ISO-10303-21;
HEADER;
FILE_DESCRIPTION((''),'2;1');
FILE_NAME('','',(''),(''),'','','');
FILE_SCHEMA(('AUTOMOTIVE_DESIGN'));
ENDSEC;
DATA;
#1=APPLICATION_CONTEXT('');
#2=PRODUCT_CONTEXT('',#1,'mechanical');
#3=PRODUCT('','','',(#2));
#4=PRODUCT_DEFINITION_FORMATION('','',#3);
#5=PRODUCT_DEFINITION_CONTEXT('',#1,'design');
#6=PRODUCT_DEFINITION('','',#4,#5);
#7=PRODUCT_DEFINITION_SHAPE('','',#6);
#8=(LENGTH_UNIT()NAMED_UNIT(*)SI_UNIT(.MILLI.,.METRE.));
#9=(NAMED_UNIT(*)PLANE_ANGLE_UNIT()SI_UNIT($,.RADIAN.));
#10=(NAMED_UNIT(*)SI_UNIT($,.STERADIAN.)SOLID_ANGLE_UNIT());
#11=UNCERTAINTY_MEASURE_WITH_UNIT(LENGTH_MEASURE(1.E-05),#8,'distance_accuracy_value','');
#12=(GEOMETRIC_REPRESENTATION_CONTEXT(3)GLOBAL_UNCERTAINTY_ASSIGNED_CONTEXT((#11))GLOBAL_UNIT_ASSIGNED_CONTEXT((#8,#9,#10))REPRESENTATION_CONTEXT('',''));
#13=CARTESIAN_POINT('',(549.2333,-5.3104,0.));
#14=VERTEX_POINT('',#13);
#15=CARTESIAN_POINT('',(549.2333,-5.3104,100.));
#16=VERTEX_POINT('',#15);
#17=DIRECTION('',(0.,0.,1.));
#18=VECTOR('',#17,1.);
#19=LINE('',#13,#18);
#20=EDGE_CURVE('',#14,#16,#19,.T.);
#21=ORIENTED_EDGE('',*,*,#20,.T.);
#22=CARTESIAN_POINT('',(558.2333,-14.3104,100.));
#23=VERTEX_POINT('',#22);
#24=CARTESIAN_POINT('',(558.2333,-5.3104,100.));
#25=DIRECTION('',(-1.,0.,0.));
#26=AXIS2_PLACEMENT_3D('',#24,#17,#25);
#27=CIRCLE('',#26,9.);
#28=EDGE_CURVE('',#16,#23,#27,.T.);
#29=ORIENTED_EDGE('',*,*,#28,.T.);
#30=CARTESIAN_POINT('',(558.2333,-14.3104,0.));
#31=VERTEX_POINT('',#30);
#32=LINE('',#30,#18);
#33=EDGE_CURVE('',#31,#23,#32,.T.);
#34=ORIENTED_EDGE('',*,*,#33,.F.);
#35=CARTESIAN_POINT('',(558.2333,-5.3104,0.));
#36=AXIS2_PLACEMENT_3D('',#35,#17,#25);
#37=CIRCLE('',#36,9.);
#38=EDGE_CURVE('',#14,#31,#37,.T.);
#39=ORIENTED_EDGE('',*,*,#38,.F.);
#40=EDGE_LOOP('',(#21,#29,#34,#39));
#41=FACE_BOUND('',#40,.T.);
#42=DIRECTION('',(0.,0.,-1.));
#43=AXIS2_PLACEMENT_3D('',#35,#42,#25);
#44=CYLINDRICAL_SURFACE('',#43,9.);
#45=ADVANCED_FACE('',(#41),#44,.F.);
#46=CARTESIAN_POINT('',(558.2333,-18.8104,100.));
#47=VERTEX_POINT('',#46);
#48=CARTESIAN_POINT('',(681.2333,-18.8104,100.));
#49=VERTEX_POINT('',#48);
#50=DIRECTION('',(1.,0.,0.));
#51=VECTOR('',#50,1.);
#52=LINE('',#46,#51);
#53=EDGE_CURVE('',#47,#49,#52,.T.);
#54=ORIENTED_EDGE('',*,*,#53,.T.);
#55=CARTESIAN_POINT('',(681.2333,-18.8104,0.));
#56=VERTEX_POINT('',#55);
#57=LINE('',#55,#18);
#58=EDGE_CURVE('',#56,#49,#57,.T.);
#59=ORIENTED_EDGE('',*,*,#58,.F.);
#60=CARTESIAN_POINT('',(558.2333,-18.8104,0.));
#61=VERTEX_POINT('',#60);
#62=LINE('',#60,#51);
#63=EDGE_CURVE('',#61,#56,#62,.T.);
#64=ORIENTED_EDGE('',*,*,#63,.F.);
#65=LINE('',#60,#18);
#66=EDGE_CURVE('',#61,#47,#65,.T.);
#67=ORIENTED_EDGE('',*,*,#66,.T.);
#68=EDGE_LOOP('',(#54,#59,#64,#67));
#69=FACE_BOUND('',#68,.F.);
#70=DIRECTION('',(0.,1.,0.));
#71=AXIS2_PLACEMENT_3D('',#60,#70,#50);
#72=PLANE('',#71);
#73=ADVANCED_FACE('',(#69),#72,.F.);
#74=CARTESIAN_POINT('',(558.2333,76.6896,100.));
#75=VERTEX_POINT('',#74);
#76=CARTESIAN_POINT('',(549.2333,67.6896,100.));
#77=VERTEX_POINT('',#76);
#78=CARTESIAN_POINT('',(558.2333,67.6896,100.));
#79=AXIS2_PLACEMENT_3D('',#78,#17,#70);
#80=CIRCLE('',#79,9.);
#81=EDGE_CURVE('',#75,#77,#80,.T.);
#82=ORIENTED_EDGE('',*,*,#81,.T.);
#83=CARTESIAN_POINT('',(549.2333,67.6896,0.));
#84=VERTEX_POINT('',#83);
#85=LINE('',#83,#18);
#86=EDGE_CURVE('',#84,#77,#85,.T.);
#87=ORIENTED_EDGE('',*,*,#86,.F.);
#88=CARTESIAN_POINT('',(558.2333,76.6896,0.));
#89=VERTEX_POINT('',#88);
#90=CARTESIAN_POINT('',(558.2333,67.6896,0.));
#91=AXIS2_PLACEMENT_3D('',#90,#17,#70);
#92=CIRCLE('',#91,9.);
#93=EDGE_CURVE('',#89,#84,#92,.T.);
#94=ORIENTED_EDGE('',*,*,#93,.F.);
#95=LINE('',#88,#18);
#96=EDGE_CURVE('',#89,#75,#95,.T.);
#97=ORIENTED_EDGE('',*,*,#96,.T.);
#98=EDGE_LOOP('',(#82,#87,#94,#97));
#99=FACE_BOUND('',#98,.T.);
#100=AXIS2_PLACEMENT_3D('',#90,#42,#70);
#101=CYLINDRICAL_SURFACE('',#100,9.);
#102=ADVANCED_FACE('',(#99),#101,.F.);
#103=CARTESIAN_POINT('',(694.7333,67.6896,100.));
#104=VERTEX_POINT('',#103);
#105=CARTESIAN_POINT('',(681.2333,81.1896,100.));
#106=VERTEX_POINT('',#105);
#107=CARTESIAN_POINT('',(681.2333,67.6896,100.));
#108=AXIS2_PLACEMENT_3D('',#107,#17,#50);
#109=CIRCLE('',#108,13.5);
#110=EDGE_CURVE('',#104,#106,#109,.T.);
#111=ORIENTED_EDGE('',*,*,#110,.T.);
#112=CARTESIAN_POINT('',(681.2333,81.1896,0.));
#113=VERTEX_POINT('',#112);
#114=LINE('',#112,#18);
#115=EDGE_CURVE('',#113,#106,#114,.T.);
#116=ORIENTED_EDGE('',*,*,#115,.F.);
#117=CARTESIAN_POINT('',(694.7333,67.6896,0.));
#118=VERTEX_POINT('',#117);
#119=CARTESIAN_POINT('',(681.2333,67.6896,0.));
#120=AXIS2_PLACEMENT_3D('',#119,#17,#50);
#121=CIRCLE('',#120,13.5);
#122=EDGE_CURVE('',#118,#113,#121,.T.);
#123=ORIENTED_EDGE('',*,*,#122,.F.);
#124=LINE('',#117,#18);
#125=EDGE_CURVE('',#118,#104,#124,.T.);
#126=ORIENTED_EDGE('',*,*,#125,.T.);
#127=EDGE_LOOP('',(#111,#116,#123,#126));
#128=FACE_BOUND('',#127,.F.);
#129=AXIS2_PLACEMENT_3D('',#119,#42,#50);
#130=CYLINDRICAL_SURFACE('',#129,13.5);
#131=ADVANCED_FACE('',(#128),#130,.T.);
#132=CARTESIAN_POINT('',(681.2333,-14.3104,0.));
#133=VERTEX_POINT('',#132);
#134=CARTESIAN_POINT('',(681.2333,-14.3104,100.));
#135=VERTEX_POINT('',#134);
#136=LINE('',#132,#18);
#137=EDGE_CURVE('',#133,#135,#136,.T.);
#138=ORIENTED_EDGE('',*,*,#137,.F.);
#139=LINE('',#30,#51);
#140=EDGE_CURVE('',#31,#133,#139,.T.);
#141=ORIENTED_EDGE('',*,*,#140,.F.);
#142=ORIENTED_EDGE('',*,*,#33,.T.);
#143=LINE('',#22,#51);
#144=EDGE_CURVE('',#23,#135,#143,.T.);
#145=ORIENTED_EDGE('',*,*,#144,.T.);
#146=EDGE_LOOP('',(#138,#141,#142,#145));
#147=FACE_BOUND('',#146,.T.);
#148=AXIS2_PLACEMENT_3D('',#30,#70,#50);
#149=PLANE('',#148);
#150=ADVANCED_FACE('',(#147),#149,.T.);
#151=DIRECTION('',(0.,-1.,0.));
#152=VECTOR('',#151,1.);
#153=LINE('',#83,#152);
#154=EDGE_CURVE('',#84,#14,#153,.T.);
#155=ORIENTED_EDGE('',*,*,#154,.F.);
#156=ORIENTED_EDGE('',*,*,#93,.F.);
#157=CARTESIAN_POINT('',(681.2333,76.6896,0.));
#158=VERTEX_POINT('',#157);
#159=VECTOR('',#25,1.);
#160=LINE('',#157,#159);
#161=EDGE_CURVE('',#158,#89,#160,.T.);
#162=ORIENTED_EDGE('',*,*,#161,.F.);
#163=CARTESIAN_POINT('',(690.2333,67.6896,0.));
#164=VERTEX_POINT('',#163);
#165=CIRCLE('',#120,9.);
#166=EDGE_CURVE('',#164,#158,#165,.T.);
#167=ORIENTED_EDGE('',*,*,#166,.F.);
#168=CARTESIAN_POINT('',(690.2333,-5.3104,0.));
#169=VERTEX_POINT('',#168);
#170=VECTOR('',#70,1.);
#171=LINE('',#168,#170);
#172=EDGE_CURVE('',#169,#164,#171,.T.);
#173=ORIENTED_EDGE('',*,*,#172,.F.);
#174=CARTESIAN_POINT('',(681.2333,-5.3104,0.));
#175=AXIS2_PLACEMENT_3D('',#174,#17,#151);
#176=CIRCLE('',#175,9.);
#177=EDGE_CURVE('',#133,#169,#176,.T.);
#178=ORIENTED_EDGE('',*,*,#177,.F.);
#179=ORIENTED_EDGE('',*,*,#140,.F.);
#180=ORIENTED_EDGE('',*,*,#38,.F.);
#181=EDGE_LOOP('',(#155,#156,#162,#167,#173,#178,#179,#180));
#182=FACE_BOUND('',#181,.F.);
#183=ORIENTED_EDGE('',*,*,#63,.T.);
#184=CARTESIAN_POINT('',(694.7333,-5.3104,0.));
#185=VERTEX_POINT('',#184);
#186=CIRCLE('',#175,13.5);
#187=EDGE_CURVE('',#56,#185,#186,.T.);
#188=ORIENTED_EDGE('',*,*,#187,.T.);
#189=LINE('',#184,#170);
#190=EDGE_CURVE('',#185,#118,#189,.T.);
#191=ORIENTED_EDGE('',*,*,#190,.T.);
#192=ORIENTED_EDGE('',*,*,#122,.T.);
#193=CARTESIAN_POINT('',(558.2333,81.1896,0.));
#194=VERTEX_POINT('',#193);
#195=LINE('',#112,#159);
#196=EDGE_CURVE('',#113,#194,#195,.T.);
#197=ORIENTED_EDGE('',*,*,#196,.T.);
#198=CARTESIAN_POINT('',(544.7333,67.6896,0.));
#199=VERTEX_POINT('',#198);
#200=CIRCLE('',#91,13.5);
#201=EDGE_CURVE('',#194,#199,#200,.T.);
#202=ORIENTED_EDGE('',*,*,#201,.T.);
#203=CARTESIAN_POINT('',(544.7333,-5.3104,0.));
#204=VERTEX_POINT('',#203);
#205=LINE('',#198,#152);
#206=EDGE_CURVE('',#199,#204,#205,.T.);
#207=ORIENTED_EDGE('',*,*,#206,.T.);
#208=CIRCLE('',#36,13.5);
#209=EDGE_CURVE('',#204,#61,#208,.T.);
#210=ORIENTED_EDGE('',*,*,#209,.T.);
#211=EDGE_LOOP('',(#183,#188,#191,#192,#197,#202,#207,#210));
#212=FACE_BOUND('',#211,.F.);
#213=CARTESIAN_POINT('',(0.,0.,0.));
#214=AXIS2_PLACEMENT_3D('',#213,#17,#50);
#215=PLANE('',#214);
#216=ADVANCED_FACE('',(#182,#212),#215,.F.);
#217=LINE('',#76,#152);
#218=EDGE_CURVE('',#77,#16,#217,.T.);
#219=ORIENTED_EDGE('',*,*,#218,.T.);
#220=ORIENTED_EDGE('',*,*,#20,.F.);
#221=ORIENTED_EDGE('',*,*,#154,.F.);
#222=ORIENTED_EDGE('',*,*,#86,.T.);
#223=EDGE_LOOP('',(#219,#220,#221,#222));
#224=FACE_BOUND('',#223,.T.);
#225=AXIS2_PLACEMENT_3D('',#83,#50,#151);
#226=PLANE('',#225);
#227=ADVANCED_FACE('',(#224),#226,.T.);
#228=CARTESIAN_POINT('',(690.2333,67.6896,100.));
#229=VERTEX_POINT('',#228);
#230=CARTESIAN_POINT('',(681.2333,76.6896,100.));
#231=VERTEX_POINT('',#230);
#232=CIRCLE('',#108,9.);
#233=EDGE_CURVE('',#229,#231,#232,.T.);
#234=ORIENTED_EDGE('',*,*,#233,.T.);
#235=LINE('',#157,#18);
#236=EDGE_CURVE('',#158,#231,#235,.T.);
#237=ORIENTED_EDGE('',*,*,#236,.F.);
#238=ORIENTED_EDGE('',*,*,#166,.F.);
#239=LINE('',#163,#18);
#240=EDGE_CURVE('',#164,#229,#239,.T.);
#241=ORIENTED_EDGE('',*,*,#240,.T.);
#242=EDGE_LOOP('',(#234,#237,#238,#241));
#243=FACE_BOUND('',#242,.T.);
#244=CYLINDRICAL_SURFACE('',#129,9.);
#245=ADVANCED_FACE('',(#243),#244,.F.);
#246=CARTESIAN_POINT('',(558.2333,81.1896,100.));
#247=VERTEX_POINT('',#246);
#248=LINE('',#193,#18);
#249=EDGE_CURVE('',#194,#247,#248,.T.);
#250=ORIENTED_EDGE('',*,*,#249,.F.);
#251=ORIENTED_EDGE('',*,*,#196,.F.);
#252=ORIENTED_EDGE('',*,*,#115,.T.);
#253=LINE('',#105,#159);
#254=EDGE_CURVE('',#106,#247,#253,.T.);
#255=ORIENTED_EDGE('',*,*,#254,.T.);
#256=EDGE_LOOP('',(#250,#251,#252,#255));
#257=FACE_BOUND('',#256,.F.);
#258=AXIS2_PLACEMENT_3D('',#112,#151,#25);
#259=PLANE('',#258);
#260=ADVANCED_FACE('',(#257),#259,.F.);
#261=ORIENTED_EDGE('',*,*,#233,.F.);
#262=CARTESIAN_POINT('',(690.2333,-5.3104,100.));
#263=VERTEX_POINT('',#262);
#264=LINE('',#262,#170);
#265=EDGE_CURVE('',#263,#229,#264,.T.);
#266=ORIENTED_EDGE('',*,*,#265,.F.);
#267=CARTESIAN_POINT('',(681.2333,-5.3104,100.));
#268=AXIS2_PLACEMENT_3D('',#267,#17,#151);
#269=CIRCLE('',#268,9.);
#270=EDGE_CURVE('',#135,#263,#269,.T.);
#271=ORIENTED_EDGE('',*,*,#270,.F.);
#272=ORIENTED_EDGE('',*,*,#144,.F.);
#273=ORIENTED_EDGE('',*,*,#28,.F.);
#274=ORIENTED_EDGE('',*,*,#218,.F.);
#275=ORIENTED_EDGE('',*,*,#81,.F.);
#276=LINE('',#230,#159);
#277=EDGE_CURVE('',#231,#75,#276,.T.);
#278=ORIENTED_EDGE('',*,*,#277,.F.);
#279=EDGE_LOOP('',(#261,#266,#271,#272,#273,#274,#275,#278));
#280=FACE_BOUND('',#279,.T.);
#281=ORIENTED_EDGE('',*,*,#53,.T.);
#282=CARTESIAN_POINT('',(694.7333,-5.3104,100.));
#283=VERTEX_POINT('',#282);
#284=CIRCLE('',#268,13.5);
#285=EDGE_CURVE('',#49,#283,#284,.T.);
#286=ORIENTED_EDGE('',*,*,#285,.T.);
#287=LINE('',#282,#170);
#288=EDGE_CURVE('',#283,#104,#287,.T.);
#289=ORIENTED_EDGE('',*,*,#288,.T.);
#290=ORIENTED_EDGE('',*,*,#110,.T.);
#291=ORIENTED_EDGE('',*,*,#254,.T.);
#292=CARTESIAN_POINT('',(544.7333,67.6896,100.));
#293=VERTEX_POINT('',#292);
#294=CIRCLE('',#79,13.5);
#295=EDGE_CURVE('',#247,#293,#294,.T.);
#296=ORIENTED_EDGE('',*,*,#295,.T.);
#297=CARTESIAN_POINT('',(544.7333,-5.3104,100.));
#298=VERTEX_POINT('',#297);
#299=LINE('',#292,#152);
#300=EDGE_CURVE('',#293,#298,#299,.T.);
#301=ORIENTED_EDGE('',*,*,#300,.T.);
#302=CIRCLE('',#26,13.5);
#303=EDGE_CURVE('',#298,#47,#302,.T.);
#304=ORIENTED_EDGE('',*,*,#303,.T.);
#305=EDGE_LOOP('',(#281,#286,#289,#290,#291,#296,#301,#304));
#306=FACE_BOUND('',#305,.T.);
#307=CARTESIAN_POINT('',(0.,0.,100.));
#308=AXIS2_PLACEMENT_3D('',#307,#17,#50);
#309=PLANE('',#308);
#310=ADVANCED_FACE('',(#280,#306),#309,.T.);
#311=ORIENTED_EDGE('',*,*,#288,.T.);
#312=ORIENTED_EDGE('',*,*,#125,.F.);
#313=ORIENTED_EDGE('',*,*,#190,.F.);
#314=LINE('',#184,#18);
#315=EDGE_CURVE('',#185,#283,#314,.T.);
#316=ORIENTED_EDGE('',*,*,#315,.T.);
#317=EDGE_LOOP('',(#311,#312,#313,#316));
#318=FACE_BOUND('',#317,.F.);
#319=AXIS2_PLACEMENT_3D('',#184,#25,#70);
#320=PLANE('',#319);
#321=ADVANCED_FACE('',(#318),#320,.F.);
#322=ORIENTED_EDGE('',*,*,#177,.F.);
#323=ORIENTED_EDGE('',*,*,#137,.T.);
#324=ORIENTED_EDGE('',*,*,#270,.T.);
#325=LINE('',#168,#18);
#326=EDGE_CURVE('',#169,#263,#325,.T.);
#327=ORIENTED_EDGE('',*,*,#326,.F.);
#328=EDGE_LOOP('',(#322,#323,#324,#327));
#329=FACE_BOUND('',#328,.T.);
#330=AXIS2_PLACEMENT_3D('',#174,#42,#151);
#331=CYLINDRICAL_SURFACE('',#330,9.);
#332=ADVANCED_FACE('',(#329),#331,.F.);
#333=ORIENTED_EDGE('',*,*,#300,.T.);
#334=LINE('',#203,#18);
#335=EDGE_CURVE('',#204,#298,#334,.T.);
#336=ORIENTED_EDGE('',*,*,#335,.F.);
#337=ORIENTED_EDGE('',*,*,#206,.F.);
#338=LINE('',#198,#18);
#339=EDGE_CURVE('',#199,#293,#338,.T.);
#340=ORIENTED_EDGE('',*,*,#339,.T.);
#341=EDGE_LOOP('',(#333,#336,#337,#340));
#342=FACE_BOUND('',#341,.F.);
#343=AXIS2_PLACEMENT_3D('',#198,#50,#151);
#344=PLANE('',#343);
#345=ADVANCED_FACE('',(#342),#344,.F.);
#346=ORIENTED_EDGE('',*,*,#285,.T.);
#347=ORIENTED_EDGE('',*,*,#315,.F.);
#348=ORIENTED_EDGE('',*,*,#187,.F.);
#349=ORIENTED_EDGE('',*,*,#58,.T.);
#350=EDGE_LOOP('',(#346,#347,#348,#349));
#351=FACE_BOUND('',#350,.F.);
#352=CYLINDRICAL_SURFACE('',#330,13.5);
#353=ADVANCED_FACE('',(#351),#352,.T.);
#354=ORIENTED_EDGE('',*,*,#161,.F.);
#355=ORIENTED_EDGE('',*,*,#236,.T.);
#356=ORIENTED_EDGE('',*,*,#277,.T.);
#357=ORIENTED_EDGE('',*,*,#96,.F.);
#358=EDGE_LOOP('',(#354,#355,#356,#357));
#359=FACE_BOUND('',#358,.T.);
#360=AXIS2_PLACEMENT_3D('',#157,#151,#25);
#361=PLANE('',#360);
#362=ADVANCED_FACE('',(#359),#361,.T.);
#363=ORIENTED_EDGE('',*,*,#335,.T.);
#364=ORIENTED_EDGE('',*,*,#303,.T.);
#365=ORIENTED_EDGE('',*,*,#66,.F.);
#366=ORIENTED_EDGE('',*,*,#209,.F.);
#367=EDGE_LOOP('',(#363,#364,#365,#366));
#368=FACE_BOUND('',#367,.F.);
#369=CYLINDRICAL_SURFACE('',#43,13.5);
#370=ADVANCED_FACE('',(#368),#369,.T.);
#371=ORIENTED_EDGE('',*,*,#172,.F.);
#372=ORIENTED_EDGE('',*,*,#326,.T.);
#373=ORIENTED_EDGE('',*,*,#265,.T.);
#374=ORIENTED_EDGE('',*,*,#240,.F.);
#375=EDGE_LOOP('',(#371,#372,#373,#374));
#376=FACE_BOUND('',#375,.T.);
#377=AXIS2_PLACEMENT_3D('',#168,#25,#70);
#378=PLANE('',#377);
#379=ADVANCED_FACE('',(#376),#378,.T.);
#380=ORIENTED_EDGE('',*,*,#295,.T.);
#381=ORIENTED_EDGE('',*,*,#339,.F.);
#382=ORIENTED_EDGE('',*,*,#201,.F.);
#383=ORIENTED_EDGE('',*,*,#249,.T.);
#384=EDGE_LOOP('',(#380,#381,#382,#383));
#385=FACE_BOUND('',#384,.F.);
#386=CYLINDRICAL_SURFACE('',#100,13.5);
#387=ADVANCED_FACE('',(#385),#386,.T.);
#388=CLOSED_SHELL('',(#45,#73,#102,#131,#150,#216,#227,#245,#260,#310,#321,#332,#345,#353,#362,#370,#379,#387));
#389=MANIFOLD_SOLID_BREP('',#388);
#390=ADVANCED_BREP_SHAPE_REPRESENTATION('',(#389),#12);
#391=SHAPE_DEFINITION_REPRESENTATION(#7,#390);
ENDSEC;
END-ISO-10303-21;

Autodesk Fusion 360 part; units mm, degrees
sketch "スケッチ1" plane through (0, 0, 0) normal (0, 0, 1) x (1, 0, 0)
  line L0 (558.2333, -18.8104) -> (681.2333, -18.8104)
  line L1 (558.2333, -14.3104) -> (681.2333, -14.3104)
  line L2 (681.2333, 81.1896) -> (558.2333, 81.1896)
  line L3 (681.2333, 76.6896) -> (558.2333, 76.6896)
  arc A0 (558.2333, 81.1896) -> (544.7333, 67.6896) centre (558.2333, 67.6896) ccw
  arc A1 (558.2333, 76.6896) -> (549.2333, 67.6896) centre (558.2333, 67.6896) ccw
  arc A2 (544.7333, -5.3104) -> (558.2333, -18.8104) centre (558.2333, -5.3104) ccw
  arc A3 (549.2333, -5.3104) -> (558.2333, -14.3104) centre (558.2333, -5.3104) ccw
  line L4 (544.7333, 67.6896) -> (544.7333, -5.3104)
  line L5 (549.2333, 67.6896) -> (549.2333, -5.3104)
  arc A4 (694.7333, 67.6896) -> (681.2333, 81.1896) centre (681.2333, 67.6896) ccw
  arc A5 (690.2333, 67.6896) -> (681.2333, 76.6896) centre (681.2333, 67.6896) ccw
  arc A6 (681.2333, -18.8104) -> (694.7333, -5.3104) centre (681.2333, -5.3104) ccw
  arc A7 (681.2333, -14.3104) -> (690.2333, -5.3104) centre (681.2333, -5.3104) ccw
  line L6 (694.7333, -5.3104) -> (694.7333, 67.6896)
  line L7 (690.2333, -5.3104) -> (690.2333, 67.6896)
  point P0 (619.7333, 31.1896)
extrude "押し出し1" add sketch "スケッチ1" along normal blind 100
